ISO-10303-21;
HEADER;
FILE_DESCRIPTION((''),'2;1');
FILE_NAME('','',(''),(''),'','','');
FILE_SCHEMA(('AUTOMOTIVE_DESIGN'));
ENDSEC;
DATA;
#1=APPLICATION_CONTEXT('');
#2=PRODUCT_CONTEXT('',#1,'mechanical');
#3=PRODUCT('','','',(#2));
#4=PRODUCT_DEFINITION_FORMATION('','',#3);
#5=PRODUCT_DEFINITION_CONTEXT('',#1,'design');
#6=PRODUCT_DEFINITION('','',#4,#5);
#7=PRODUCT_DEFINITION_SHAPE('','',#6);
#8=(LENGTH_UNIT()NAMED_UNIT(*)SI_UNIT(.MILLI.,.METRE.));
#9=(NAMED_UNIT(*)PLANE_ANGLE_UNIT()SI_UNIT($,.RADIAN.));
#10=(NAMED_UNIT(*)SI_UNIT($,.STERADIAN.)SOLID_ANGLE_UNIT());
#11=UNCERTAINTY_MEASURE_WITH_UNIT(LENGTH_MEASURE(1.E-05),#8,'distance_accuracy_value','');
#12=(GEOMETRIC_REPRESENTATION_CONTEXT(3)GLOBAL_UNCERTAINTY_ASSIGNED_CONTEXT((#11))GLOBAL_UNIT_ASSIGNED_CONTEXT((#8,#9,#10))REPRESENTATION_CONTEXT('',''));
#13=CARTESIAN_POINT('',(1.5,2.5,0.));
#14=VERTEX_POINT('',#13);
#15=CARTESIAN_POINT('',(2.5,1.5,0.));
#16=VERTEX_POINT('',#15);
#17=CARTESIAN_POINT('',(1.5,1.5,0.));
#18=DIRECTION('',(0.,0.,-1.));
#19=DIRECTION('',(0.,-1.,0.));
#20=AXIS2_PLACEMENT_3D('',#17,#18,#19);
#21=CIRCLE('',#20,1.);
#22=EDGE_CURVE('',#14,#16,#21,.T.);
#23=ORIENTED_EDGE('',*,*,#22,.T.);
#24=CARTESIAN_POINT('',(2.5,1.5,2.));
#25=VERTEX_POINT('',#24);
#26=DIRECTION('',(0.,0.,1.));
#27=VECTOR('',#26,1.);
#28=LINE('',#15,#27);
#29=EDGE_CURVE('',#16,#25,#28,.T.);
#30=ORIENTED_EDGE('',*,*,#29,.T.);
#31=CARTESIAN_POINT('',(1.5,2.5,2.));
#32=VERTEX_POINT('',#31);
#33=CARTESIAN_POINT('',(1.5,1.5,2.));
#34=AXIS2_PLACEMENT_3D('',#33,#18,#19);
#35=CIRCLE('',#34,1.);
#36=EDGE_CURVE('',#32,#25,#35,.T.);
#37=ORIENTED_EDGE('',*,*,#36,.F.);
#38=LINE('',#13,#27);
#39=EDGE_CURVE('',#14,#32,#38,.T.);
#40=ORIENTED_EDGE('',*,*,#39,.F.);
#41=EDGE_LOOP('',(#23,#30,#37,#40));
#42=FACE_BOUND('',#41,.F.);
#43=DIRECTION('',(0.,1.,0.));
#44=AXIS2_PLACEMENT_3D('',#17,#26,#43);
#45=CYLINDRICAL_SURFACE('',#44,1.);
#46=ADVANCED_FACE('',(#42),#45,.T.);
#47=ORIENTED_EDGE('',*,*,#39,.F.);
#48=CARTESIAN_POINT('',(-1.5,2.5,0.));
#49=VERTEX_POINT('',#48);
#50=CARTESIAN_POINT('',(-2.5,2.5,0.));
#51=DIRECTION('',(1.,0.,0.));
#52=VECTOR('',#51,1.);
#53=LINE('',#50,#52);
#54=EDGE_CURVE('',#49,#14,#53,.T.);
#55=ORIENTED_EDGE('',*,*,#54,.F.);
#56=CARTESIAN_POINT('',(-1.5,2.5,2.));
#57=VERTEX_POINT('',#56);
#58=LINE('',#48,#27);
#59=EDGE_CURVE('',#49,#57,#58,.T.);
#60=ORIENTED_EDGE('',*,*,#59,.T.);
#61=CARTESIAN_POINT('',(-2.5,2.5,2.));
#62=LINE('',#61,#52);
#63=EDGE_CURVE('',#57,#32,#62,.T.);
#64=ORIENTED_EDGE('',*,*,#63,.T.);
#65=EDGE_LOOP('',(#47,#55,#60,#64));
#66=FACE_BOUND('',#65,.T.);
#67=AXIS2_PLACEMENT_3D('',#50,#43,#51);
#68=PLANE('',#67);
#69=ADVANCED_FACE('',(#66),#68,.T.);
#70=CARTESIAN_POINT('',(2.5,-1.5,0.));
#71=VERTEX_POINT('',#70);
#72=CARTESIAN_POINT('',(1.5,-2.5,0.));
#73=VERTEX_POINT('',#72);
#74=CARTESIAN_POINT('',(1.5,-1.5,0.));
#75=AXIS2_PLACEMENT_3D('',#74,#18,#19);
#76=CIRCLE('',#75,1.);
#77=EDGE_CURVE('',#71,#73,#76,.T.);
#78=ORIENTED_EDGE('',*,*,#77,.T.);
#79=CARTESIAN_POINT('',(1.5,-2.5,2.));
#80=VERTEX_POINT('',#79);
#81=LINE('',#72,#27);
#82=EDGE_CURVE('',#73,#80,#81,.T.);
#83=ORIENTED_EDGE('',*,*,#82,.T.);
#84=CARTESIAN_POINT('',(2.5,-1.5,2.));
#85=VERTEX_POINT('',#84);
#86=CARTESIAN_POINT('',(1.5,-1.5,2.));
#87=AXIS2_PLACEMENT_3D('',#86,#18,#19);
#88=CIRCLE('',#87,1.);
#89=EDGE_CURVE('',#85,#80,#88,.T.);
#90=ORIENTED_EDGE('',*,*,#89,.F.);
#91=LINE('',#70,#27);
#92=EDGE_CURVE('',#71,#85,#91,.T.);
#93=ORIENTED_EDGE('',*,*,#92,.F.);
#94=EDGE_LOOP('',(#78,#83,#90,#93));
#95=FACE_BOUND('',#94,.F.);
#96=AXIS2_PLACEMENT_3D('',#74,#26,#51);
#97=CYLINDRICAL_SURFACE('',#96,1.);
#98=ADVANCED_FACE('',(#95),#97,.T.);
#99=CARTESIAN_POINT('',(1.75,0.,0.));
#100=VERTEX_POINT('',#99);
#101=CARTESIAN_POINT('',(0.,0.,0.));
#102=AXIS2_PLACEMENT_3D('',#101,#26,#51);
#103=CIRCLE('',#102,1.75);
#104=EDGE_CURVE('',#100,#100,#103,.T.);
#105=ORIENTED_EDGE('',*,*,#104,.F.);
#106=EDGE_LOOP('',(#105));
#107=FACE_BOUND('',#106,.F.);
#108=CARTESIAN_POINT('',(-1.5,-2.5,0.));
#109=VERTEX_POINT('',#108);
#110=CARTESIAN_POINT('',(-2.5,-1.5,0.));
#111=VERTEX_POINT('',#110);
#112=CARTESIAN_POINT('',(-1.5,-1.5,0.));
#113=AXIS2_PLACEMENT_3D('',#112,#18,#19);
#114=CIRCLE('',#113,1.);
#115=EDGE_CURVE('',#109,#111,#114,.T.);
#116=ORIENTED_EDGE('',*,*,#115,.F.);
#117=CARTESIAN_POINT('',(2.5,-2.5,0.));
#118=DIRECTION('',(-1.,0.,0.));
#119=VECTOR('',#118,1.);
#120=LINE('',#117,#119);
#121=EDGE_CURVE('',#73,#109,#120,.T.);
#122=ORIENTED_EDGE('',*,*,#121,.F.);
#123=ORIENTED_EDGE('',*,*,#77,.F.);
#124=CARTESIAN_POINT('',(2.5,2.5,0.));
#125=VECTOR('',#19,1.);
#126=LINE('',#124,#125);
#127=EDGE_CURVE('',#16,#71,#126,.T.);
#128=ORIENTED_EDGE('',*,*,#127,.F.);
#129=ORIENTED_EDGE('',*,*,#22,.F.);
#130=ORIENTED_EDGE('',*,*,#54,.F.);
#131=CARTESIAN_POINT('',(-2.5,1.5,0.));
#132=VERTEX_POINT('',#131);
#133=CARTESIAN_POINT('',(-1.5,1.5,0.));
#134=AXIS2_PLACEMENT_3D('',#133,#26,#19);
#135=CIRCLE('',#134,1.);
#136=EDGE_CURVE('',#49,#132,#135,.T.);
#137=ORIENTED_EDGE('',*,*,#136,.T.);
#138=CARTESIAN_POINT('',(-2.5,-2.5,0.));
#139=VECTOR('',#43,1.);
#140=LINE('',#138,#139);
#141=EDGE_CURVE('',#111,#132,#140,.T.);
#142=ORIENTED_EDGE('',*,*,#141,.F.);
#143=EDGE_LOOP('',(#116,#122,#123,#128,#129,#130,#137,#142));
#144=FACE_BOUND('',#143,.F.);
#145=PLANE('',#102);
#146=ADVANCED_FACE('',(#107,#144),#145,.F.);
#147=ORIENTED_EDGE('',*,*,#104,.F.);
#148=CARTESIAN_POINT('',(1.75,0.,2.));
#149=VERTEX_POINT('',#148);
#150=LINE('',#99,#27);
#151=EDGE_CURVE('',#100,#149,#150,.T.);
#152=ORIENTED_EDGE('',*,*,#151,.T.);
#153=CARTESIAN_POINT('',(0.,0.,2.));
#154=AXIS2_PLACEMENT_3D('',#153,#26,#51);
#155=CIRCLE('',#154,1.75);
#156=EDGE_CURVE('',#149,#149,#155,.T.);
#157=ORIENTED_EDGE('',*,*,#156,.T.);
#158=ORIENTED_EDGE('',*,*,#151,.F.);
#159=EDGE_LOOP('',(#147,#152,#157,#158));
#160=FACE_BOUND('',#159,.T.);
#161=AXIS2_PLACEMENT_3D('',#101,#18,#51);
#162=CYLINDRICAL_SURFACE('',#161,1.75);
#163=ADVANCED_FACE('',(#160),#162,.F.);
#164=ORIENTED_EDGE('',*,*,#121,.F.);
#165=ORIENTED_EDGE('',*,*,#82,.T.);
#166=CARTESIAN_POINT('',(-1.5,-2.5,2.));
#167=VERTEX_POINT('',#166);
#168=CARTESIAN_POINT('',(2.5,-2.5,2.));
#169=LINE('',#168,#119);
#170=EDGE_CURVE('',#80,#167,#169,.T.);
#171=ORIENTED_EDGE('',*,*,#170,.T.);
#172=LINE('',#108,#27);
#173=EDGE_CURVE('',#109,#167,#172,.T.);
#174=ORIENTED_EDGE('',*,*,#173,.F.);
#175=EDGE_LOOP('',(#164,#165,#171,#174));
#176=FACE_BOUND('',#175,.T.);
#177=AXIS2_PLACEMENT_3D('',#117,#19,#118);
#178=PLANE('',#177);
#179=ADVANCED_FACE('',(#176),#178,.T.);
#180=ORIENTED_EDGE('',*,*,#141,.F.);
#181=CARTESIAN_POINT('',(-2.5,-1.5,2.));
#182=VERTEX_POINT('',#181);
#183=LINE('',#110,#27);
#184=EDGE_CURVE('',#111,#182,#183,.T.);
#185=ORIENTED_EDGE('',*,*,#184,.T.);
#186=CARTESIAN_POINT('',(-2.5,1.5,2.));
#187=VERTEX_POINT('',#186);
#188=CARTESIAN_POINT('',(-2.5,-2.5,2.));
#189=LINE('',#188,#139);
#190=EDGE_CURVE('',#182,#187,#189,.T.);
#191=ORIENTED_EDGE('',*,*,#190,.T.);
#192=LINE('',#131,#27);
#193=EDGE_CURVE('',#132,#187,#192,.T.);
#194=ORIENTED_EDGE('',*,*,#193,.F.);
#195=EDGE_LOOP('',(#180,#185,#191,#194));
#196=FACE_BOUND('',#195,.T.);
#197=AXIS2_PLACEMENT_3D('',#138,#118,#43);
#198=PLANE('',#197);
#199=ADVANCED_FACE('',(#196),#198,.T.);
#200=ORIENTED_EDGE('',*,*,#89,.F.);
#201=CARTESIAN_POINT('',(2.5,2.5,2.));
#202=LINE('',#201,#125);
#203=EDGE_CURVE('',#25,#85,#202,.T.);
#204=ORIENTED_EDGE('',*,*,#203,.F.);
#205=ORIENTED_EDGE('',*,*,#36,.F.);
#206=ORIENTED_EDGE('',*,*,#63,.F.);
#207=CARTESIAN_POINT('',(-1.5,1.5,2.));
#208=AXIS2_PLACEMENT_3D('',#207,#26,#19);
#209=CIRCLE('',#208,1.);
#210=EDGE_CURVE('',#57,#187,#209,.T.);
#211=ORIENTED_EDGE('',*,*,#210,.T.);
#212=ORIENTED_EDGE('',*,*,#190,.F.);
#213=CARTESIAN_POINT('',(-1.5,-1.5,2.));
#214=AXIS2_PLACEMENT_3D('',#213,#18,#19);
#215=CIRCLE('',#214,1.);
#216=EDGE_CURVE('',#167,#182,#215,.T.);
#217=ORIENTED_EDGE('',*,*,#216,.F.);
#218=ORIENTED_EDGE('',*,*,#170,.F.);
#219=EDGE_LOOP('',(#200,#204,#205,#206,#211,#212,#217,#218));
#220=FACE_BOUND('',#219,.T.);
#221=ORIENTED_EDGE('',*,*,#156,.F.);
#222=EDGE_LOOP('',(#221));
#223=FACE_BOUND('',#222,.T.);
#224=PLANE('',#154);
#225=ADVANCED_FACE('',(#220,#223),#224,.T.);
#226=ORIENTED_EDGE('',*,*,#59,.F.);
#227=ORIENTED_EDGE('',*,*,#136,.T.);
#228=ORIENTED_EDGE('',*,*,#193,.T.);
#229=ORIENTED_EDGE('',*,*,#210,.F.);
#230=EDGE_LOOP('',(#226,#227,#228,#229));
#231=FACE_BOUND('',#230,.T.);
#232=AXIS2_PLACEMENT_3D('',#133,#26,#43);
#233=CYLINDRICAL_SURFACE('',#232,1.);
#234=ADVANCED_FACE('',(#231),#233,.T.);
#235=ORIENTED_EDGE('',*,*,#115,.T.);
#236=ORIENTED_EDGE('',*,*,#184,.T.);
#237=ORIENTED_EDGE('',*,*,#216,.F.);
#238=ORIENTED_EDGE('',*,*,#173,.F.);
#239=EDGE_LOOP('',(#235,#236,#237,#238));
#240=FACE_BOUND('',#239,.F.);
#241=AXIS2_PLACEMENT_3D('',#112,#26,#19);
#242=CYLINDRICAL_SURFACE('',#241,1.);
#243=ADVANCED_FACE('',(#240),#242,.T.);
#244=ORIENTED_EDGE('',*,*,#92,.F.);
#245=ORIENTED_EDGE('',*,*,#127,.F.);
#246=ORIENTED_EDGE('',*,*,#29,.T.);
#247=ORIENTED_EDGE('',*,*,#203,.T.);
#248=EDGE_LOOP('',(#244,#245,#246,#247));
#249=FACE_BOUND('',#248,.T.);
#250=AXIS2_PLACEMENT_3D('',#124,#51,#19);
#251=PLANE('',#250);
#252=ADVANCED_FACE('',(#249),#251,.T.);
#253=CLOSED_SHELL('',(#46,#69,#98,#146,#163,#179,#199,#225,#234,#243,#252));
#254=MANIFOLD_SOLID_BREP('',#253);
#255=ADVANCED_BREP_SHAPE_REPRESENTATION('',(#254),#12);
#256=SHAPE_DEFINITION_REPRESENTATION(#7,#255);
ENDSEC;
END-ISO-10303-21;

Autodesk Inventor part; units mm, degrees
ref_plane "YZ Plane" through (0, 0, 0) normal (1, 0, 0) x (0, 1, 0)
ref_plane "XZ Plane" through (0, 0, 0) normal (0, 1, 0) x (-1, 0, 0)
ref_plane "XY Plane" through (0, 0, 0) normal (0, 0, 1) x (1, 0, 0)
sketch "Skizze1" plane through (0, 0, 0) normal (0, 0, 1) x (1, 0, 0)
  circle A0 centre (0, 0) radius 1.75
  line L0 (-2.5, 2.5) -> (2.5, 2.5)
  line L1 (2.5, 2.5) -> (2.5, -2.5)
  line L2 (2.5, -2.5) -> (-2.5, -2.5)
  line L3 (-2.5, -2.5) -> (-2.5, 2.5)
  line L4 (-2.5, 2.5) -> (2.5, -2.5) construction
  dimension "d0" = 3.5
  dimension "d1" = 5
extrude "Extrusion1" add sketch "Skizze1" along normal blind 2
fillet "Rundung1" radius 1 4 edges at (2.5, 2.5, 1) (2.5, -2.5, 1) (-2.5, 2.5, 1) (-2.5, -2.5, 1)
properties part number "Abstandshalter US Sensor" material "ABS-Kunststoff"
